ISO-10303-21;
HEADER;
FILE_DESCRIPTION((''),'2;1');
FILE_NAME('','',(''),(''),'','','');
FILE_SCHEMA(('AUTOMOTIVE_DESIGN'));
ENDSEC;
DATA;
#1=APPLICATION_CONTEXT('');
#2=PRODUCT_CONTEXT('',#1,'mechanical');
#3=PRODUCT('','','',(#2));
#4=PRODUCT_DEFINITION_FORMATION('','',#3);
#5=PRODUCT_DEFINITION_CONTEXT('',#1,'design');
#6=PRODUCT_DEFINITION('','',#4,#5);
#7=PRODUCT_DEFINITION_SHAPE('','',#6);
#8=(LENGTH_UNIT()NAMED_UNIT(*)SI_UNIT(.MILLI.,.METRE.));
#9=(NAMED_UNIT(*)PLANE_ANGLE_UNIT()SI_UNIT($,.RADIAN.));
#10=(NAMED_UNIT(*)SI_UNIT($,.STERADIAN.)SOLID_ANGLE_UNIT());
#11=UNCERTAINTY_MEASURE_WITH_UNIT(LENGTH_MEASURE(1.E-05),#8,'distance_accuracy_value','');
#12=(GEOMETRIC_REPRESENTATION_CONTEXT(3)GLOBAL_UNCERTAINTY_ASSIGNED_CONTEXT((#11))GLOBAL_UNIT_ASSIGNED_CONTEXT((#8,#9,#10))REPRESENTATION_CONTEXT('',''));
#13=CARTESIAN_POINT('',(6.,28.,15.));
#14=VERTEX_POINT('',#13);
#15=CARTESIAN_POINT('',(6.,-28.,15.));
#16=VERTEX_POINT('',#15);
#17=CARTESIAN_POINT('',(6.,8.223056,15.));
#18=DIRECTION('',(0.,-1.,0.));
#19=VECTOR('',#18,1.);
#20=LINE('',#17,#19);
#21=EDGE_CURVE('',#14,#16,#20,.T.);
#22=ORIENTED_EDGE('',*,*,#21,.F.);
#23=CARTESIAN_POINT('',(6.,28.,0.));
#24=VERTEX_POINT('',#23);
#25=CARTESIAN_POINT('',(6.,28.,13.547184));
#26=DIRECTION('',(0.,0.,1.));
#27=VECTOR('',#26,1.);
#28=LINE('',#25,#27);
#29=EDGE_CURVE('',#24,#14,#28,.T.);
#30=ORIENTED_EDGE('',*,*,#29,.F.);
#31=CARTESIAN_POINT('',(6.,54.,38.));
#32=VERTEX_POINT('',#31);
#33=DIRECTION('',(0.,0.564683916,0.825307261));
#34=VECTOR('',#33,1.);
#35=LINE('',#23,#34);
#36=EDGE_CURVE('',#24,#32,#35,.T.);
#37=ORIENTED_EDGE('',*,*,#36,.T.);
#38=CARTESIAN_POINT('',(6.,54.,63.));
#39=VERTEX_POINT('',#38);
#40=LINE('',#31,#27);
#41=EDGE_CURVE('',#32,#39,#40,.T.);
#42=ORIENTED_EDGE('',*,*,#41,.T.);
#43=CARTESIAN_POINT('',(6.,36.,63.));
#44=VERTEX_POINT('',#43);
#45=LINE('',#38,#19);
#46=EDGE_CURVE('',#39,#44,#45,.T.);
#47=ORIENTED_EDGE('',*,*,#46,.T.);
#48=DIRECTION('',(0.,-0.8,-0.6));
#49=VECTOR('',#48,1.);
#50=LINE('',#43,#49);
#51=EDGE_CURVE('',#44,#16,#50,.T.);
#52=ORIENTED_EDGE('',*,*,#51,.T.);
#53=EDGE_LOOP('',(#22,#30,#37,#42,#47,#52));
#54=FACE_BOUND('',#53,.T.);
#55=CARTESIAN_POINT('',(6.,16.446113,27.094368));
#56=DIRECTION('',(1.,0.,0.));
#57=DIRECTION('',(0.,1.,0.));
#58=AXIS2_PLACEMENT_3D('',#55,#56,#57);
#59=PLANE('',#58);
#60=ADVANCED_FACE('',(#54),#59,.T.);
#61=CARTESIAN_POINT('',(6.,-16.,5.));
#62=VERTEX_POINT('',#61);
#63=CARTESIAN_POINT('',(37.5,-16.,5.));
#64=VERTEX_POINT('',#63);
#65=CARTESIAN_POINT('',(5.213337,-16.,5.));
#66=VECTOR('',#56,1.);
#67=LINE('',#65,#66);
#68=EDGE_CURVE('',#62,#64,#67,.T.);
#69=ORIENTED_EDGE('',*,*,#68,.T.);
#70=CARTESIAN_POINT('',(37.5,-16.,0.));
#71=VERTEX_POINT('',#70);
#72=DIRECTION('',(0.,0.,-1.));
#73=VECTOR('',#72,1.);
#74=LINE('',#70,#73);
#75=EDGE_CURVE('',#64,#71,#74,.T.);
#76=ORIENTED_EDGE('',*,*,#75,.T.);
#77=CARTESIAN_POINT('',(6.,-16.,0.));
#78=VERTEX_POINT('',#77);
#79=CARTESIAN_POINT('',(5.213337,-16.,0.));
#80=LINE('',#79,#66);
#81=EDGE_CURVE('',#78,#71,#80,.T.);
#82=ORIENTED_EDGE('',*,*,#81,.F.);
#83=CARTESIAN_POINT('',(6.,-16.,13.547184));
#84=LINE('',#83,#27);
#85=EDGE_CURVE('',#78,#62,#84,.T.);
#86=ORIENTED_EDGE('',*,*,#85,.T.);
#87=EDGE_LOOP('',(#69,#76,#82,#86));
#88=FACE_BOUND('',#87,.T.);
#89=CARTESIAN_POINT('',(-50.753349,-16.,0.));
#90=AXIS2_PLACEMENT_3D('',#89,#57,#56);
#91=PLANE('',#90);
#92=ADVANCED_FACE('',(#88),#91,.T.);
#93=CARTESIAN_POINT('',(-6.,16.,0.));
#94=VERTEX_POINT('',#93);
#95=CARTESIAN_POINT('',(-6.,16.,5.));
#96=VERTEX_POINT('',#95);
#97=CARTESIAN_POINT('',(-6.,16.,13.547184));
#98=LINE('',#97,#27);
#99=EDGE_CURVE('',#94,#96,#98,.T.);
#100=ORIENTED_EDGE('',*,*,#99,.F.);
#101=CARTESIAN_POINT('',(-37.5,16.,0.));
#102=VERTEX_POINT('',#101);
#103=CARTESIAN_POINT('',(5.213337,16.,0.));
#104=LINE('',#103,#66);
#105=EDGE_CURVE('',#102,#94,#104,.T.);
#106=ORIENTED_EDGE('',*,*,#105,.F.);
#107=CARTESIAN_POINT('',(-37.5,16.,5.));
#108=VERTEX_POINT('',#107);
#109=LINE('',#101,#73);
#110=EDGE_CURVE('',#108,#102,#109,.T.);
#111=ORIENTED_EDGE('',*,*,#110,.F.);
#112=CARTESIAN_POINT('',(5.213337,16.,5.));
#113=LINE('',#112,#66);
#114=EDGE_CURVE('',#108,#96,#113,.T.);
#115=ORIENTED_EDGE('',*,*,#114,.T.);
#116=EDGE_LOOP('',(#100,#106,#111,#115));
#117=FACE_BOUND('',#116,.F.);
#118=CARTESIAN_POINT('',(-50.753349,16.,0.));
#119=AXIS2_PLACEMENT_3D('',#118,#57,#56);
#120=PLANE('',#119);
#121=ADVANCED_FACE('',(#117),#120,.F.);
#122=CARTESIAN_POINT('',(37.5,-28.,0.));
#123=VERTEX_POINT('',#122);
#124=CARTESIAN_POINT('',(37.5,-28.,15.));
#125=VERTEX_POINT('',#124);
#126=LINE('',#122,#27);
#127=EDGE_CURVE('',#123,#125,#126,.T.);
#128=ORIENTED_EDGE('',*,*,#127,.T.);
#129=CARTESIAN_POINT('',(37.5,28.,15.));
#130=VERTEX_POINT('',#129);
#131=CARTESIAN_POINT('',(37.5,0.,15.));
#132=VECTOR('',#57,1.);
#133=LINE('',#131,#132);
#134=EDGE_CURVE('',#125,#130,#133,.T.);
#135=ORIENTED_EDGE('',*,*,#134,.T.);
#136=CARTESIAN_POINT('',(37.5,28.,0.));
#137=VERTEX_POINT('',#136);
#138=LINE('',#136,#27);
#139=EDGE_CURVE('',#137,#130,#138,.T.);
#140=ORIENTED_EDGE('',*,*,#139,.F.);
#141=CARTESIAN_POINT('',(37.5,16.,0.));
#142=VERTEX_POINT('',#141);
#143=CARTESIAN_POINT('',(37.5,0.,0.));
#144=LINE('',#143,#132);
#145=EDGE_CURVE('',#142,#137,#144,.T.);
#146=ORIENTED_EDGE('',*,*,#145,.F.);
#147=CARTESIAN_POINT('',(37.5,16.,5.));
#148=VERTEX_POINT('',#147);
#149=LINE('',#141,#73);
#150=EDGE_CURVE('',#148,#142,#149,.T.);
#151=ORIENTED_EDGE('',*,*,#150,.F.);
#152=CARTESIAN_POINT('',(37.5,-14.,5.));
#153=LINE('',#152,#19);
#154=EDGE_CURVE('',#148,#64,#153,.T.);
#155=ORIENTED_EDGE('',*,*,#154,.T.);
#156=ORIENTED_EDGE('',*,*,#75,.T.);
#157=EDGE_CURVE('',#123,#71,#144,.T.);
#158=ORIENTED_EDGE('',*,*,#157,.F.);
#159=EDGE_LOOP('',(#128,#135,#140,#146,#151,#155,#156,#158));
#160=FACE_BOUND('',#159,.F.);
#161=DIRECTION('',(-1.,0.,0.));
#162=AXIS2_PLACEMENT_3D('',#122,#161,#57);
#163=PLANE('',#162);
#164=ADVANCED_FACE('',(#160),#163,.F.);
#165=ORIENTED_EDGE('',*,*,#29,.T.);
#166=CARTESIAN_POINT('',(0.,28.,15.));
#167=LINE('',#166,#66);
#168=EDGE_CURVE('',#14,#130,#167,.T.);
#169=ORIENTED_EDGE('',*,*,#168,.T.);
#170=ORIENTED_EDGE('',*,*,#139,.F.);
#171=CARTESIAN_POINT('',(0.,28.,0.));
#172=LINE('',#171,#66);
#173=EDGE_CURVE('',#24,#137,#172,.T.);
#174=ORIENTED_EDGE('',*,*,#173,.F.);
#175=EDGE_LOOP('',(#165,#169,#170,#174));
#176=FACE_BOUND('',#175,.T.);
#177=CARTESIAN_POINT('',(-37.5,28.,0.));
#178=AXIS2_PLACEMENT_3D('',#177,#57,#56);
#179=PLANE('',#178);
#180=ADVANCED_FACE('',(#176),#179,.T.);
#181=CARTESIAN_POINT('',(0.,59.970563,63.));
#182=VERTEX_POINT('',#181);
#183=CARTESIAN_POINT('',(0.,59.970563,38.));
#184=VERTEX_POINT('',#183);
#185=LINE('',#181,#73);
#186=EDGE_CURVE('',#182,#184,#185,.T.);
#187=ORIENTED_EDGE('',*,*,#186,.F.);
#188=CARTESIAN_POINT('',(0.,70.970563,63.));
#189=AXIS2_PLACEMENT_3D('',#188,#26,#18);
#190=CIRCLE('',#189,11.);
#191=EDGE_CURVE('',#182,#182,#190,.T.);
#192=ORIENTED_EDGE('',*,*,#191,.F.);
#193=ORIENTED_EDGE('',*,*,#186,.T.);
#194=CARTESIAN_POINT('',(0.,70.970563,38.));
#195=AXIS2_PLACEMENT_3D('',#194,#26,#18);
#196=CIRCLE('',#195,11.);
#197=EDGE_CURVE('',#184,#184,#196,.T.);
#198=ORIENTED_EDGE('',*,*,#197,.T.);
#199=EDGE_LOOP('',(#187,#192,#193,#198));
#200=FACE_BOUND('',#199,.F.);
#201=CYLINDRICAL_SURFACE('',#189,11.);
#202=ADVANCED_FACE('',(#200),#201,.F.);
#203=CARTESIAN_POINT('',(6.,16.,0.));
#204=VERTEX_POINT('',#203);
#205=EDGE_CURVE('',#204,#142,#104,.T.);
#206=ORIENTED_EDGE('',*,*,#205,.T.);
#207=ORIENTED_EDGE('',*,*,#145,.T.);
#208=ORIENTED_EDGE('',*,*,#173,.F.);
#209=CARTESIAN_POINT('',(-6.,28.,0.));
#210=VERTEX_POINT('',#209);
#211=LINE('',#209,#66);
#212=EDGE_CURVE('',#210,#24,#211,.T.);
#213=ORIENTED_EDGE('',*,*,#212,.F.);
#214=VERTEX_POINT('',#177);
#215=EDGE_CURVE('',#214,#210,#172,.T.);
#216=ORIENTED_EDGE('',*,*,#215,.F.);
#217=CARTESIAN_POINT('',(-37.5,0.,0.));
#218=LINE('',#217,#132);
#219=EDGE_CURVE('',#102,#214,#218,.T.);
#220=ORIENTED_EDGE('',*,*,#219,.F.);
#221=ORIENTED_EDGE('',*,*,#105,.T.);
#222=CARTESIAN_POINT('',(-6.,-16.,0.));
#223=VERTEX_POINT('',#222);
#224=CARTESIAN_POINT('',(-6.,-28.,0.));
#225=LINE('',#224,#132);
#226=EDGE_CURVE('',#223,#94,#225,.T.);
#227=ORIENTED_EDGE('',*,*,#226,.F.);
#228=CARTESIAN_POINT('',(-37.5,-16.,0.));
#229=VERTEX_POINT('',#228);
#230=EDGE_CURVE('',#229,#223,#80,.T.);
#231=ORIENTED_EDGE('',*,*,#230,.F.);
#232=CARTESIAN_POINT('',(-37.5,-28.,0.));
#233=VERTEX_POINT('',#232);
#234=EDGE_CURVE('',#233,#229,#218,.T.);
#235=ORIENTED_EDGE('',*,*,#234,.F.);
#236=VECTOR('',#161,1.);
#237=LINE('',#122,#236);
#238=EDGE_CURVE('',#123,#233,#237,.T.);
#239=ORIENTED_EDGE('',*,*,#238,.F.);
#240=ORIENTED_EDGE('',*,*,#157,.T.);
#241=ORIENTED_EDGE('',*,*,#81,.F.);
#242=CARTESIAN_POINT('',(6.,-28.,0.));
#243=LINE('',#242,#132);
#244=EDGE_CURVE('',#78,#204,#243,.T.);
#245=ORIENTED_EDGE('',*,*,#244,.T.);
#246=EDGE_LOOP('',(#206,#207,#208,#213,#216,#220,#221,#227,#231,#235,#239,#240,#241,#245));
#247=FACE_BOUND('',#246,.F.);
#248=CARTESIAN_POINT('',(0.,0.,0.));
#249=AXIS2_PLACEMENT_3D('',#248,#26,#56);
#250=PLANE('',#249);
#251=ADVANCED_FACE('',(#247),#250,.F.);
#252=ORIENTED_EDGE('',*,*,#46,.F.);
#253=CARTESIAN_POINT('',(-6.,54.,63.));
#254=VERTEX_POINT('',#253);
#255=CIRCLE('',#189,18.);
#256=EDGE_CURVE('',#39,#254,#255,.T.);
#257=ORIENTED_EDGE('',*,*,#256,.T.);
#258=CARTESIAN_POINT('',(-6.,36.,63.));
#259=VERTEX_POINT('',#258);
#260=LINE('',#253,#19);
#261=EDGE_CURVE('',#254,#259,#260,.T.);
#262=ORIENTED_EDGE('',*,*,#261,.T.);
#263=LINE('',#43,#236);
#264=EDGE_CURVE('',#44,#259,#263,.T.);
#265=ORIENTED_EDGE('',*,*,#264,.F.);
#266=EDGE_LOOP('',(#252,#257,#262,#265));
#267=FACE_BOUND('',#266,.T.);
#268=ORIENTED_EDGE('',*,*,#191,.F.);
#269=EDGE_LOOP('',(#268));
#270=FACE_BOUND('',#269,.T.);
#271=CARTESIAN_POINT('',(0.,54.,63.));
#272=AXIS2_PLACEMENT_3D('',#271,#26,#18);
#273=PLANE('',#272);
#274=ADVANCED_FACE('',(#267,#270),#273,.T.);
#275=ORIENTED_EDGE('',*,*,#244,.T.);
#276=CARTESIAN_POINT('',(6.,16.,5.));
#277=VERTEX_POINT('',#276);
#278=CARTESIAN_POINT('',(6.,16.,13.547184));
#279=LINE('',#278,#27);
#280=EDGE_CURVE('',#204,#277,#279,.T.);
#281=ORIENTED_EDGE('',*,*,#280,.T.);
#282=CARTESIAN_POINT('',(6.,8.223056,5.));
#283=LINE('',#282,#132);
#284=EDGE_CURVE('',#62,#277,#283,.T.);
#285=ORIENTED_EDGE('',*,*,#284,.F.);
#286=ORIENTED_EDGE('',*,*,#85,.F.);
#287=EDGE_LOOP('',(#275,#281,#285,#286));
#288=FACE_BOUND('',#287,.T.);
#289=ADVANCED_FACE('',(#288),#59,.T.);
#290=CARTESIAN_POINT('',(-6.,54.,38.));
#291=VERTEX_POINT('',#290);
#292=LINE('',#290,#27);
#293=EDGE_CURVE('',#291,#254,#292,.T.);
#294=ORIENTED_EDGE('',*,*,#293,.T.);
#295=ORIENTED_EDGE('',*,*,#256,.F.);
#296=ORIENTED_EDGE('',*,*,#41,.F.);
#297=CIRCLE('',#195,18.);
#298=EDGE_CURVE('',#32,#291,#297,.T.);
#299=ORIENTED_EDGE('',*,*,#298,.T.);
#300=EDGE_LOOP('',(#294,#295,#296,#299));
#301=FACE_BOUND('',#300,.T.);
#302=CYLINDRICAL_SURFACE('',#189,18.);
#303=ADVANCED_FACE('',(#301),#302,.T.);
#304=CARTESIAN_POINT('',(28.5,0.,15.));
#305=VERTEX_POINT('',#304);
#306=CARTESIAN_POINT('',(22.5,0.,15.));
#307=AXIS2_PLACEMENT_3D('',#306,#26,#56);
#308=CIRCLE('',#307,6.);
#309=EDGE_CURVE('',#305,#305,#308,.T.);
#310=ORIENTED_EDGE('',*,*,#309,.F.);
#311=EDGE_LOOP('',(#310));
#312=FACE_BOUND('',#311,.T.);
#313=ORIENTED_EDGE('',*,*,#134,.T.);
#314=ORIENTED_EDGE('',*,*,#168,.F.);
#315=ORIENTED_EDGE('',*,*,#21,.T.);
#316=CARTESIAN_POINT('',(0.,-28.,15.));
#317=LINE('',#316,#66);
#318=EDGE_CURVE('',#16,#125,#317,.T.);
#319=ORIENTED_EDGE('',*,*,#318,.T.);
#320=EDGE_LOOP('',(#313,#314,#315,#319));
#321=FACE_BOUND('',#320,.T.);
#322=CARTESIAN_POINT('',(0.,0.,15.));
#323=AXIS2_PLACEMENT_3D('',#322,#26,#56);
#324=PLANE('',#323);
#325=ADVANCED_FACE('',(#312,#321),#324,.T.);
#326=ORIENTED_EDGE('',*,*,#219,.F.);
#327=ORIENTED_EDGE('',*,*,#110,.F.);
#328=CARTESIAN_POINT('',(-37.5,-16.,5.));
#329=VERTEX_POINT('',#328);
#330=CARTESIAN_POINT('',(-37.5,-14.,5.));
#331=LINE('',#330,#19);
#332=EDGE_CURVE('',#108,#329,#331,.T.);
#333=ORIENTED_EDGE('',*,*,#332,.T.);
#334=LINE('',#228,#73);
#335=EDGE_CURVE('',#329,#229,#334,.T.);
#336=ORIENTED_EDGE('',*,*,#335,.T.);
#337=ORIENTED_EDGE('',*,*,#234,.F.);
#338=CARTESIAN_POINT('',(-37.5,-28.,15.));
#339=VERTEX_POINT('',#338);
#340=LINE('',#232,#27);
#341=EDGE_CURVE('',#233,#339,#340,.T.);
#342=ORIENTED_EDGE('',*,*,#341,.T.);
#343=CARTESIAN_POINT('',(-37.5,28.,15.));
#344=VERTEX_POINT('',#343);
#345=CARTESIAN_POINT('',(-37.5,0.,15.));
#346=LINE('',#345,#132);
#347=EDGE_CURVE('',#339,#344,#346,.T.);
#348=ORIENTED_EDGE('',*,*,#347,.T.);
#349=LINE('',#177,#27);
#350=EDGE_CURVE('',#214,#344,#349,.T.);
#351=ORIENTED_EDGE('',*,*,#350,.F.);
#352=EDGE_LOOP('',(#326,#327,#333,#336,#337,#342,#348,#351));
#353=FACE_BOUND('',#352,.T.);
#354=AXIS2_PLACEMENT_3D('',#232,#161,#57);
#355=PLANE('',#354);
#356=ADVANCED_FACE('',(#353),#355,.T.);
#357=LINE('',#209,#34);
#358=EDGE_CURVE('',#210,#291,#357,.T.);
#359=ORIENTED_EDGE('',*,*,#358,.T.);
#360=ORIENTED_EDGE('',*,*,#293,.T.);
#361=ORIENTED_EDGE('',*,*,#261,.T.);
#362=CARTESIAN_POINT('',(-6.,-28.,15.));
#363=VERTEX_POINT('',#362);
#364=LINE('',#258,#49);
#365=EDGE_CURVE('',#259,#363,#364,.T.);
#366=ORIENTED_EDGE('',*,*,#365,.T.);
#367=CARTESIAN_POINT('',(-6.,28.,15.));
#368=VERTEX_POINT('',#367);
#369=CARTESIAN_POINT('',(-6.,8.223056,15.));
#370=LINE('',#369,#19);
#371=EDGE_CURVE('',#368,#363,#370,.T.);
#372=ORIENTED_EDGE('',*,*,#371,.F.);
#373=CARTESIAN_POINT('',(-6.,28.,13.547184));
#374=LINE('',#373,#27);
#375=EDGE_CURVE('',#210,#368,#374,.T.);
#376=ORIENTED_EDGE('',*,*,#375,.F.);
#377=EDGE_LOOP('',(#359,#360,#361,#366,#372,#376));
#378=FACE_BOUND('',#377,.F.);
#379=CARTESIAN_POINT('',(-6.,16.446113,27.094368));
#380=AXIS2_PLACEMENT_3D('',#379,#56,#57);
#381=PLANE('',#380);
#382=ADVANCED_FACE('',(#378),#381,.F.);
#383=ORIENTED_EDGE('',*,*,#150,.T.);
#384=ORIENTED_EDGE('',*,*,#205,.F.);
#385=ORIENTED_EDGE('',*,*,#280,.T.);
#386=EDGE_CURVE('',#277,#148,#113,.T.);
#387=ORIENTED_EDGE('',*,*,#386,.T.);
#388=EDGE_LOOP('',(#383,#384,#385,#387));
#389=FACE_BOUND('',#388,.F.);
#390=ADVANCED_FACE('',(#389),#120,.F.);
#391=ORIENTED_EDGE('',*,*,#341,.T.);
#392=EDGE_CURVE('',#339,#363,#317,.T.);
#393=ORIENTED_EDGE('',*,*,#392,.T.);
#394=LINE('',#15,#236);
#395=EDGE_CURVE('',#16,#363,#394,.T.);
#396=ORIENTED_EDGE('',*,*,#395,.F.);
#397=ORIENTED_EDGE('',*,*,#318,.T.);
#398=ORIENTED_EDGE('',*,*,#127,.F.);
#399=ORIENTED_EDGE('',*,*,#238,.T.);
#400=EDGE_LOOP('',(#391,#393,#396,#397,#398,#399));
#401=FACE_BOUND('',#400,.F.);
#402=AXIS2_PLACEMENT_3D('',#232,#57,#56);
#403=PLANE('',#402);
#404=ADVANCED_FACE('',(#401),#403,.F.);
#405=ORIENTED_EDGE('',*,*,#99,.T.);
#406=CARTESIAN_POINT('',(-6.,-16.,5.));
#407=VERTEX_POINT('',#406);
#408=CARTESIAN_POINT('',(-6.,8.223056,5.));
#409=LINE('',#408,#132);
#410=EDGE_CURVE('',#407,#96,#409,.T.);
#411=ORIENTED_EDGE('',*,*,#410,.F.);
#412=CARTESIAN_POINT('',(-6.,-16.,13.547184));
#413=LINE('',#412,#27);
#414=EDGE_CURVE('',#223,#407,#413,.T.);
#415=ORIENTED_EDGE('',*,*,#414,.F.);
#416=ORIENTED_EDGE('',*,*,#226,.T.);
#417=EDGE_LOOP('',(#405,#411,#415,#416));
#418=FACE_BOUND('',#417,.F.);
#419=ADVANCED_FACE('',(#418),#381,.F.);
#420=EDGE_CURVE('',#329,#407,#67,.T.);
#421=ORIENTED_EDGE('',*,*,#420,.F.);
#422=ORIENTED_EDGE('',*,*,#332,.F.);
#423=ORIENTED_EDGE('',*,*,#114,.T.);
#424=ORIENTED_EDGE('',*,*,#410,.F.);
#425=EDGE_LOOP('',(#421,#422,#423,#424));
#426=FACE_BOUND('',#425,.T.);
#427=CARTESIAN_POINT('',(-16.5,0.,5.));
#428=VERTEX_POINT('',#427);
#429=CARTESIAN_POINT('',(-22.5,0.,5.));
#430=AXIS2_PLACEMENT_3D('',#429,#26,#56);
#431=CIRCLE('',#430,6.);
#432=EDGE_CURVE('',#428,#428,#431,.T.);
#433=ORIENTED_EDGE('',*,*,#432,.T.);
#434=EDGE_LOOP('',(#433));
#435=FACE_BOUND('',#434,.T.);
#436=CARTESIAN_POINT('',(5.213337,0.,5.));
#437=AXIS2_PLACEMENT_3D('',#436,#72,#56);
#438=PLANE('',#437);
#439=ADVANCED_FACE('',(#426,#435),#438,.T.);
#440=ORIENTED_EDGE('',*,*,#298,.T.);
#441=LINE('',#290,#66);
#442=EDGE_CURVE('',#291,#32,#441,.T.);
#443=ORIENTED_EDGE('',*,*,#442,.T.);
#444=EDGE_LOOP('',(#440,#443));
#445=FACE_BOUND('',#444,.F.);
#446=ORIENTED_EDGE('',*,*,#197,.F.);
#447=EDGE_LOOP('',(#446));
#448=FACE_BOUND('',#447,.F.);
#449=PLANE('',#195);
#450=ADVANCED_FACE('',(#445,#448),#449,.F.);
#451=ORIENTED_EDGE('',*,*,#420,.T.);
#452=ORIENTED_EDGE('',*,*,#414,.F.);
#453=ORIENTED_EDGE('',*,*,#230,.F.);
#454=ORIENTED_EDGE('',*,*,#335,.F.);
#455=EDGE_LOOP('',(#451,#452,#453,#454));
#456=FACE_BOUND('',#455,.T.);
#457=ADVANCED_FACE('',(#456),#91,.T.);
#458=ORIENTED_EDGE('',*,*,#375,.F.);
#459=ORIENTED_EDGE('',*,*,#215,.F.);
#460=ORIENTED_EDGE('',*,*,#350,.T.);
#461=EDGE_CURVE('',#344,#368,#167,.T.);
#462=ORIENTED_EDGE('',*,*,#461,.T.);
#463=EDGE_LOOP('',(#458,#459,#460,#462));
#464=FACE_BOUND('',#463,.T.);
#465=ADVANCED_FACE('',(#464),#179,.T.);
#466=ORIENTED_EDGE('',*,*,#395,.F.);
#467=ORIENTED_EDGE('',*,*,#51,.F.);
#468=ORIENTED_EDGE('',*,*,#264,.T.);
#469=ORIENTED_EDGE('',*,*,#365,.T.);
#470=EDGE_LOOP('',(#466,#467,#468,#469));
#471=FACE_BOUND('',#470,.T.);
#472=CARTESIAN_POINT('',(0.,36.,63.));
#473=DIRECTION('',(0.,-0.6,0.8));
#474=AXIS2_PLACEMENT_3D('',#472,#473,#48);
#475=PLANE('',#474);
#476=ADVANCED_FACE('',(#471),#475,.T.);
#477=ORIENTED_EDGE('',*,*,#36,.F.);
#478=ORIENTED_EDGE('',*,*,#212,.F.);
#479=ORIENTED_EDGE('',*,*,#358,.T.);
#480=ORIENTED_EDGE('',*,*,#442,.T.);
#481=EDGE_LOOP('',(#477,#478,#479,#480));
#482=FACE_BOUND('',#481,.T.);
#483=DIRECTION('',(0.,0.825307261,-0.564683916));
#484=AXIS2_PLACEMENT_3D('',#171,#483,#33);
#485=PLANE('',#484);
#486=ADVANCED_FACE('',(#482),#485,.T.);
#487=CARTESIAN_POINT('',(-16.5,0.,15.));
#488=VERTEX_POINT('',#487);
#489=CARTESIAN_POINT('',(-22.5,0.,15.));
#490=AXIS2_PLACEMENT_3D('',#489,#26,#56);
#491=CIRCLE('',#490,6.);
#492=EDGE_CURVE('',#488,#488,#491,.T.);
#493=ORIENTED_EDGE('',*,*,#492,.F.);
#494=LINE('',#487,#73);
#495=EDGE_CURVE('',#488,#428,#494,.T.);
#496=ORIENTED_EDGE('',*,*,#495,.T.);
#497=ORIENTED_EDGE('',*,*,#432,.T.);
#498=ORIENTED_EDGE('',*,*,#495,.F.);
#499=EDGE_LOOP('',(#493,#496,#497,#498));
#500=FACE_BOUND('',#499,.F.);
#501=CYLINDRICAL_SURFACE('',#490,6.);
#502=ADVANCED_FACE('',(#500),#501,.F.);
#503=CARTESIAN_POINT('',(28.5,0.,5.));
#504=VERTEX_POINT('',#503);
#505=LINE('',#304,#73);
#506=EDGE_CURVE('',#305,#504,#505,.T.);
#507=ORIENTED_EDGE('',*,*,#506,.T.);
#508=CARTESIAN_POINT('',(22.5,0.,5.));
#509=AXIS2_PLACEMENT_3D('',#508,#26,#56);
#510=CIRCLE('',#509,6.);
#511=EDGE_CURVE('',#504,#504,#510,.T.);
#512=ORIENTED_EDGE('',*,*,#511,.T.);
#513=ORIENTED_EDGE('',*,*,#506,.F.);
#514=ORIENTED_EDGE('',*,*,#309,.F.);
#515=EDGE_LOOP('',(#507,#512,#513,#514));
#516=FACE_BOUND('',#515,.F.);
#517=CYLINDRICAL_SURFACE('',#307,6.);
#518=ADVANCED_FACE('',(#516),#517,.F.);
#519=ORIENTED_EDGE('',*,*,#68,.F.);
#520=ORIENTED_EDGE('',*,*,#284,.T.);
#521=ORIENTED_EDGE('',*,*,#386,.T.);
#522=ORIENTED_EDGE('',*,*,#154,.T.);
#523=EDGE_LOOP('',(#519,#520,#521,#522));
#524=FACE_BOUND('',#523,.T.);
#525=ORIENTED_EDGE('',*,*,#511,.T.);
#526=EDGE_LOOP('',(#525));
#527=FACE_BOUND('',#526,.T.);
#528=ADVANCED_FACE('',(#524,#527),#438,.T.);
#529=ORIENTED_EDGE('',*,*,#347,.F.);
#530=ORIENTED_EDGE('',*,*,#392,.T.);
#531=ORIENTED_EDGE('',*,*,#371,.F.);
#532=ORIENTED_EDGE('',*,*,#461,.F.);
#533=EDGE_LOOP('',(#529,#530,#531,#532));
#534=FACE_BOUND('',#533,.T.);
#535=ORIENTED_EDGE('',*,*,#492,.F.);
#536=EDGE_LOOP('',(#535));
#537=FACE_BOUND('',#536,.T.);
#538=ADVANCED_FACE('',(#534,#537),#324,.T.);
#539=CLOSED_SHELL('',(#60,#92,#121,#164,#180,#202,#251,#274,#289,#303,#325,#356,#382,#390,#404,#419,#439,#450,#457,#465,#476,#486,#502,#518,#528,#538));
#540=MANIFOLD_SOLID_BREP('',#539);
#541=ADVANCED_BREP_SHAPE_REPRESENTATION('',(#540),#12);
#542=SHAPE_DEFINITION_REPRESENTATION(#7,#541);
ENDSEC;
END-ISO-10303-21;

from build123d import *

# Parameters (mm, degrees)
SKETCH_W        = 75
SKETCH_H        = 56
PAD_DEPTH       = 15
SKETCH001_R     = 6
POCKET_DEPTH    = 15.001
SKETCH002_W     = 111.933372
SKETCH002_H     = 32
POCKET001_DEPTH = 5
PAD001_DEPTH    = 6
SKETCH004_R     = 18
PAD002_DEPTH    = 25
SKETCH005_R     = 11
POCKET002_DEPTH = 63.001


with BuildPart() as pocket001:
    # Sketch → Pad (new body)
    with BuildSketch(Plane.XY):
        Rectangle(SKETCH_W, SKETCH_H)
    extrude(amount=PAD_DEPTH)

    # Sketch001 → Pocket (cut, through all)
    with BuildSketch(Plane.XY.offset(15)):
        with Locations((-22.5, 0)):
            Circle(SKETCH001_R)
        with Locations((22.5, 0)):
            Circle(SKETCH001_R)
    extrude(amount=-POCKET_DEPTH, mode=Mode.SUBTRACT)

    # Sketch002 → Pocket001 (cut)
    with BuildSketch(Plane(origin=(0, 0, 0), x_dir=(1, 0, 0), z_dir=(0, 0, -1))):
        with Locations((5.213337, 0)):
            Rectangle(SKETCH002_W, SKETCH002_H)
    extrude(amount=-POCKET001_DEPTH, mode=Mode.SUBTRACT)


with BuildPart() as fusion:
    # Sketch003 → Pad001 (new body, symmetric)
    with BuildSketch(Plane.YZ):
        Polygon((-28, 0), (28, 0), (54, 38), (54, 63), (36, 63), (-28, 15), align=None)
    extrude(amount=PAD001_DEPTH, both=True)

    # Sketch004 → Pad002 (new body)
    with BuildSketch(Plane(origin=(0, 0, 63), x_dir=(0, -1, 0), z_dir=(0, 0, 1))):
        with Locations((-70.970563, 0)):
            Circle(SKETCH004_R)
    extrude(amount=-PAD002_DEPTH)

    # Sketch005 → Pocket002 (cut, through all)
    with BuildSketch(Plane(origin=(0, 0, 63), x_dir=(0, -1, 0), z_dir=(0, 0, 1))):
        with Locations((-70.970563, 0)):
            Circle(SKETCH005_R)
    extrude(amount=-POCKET002_DEPTH, mode=Mode.SUBTRACT)

    # Fusion: union Pocket001
    add(pocket001.part)


solid = fusion.part
